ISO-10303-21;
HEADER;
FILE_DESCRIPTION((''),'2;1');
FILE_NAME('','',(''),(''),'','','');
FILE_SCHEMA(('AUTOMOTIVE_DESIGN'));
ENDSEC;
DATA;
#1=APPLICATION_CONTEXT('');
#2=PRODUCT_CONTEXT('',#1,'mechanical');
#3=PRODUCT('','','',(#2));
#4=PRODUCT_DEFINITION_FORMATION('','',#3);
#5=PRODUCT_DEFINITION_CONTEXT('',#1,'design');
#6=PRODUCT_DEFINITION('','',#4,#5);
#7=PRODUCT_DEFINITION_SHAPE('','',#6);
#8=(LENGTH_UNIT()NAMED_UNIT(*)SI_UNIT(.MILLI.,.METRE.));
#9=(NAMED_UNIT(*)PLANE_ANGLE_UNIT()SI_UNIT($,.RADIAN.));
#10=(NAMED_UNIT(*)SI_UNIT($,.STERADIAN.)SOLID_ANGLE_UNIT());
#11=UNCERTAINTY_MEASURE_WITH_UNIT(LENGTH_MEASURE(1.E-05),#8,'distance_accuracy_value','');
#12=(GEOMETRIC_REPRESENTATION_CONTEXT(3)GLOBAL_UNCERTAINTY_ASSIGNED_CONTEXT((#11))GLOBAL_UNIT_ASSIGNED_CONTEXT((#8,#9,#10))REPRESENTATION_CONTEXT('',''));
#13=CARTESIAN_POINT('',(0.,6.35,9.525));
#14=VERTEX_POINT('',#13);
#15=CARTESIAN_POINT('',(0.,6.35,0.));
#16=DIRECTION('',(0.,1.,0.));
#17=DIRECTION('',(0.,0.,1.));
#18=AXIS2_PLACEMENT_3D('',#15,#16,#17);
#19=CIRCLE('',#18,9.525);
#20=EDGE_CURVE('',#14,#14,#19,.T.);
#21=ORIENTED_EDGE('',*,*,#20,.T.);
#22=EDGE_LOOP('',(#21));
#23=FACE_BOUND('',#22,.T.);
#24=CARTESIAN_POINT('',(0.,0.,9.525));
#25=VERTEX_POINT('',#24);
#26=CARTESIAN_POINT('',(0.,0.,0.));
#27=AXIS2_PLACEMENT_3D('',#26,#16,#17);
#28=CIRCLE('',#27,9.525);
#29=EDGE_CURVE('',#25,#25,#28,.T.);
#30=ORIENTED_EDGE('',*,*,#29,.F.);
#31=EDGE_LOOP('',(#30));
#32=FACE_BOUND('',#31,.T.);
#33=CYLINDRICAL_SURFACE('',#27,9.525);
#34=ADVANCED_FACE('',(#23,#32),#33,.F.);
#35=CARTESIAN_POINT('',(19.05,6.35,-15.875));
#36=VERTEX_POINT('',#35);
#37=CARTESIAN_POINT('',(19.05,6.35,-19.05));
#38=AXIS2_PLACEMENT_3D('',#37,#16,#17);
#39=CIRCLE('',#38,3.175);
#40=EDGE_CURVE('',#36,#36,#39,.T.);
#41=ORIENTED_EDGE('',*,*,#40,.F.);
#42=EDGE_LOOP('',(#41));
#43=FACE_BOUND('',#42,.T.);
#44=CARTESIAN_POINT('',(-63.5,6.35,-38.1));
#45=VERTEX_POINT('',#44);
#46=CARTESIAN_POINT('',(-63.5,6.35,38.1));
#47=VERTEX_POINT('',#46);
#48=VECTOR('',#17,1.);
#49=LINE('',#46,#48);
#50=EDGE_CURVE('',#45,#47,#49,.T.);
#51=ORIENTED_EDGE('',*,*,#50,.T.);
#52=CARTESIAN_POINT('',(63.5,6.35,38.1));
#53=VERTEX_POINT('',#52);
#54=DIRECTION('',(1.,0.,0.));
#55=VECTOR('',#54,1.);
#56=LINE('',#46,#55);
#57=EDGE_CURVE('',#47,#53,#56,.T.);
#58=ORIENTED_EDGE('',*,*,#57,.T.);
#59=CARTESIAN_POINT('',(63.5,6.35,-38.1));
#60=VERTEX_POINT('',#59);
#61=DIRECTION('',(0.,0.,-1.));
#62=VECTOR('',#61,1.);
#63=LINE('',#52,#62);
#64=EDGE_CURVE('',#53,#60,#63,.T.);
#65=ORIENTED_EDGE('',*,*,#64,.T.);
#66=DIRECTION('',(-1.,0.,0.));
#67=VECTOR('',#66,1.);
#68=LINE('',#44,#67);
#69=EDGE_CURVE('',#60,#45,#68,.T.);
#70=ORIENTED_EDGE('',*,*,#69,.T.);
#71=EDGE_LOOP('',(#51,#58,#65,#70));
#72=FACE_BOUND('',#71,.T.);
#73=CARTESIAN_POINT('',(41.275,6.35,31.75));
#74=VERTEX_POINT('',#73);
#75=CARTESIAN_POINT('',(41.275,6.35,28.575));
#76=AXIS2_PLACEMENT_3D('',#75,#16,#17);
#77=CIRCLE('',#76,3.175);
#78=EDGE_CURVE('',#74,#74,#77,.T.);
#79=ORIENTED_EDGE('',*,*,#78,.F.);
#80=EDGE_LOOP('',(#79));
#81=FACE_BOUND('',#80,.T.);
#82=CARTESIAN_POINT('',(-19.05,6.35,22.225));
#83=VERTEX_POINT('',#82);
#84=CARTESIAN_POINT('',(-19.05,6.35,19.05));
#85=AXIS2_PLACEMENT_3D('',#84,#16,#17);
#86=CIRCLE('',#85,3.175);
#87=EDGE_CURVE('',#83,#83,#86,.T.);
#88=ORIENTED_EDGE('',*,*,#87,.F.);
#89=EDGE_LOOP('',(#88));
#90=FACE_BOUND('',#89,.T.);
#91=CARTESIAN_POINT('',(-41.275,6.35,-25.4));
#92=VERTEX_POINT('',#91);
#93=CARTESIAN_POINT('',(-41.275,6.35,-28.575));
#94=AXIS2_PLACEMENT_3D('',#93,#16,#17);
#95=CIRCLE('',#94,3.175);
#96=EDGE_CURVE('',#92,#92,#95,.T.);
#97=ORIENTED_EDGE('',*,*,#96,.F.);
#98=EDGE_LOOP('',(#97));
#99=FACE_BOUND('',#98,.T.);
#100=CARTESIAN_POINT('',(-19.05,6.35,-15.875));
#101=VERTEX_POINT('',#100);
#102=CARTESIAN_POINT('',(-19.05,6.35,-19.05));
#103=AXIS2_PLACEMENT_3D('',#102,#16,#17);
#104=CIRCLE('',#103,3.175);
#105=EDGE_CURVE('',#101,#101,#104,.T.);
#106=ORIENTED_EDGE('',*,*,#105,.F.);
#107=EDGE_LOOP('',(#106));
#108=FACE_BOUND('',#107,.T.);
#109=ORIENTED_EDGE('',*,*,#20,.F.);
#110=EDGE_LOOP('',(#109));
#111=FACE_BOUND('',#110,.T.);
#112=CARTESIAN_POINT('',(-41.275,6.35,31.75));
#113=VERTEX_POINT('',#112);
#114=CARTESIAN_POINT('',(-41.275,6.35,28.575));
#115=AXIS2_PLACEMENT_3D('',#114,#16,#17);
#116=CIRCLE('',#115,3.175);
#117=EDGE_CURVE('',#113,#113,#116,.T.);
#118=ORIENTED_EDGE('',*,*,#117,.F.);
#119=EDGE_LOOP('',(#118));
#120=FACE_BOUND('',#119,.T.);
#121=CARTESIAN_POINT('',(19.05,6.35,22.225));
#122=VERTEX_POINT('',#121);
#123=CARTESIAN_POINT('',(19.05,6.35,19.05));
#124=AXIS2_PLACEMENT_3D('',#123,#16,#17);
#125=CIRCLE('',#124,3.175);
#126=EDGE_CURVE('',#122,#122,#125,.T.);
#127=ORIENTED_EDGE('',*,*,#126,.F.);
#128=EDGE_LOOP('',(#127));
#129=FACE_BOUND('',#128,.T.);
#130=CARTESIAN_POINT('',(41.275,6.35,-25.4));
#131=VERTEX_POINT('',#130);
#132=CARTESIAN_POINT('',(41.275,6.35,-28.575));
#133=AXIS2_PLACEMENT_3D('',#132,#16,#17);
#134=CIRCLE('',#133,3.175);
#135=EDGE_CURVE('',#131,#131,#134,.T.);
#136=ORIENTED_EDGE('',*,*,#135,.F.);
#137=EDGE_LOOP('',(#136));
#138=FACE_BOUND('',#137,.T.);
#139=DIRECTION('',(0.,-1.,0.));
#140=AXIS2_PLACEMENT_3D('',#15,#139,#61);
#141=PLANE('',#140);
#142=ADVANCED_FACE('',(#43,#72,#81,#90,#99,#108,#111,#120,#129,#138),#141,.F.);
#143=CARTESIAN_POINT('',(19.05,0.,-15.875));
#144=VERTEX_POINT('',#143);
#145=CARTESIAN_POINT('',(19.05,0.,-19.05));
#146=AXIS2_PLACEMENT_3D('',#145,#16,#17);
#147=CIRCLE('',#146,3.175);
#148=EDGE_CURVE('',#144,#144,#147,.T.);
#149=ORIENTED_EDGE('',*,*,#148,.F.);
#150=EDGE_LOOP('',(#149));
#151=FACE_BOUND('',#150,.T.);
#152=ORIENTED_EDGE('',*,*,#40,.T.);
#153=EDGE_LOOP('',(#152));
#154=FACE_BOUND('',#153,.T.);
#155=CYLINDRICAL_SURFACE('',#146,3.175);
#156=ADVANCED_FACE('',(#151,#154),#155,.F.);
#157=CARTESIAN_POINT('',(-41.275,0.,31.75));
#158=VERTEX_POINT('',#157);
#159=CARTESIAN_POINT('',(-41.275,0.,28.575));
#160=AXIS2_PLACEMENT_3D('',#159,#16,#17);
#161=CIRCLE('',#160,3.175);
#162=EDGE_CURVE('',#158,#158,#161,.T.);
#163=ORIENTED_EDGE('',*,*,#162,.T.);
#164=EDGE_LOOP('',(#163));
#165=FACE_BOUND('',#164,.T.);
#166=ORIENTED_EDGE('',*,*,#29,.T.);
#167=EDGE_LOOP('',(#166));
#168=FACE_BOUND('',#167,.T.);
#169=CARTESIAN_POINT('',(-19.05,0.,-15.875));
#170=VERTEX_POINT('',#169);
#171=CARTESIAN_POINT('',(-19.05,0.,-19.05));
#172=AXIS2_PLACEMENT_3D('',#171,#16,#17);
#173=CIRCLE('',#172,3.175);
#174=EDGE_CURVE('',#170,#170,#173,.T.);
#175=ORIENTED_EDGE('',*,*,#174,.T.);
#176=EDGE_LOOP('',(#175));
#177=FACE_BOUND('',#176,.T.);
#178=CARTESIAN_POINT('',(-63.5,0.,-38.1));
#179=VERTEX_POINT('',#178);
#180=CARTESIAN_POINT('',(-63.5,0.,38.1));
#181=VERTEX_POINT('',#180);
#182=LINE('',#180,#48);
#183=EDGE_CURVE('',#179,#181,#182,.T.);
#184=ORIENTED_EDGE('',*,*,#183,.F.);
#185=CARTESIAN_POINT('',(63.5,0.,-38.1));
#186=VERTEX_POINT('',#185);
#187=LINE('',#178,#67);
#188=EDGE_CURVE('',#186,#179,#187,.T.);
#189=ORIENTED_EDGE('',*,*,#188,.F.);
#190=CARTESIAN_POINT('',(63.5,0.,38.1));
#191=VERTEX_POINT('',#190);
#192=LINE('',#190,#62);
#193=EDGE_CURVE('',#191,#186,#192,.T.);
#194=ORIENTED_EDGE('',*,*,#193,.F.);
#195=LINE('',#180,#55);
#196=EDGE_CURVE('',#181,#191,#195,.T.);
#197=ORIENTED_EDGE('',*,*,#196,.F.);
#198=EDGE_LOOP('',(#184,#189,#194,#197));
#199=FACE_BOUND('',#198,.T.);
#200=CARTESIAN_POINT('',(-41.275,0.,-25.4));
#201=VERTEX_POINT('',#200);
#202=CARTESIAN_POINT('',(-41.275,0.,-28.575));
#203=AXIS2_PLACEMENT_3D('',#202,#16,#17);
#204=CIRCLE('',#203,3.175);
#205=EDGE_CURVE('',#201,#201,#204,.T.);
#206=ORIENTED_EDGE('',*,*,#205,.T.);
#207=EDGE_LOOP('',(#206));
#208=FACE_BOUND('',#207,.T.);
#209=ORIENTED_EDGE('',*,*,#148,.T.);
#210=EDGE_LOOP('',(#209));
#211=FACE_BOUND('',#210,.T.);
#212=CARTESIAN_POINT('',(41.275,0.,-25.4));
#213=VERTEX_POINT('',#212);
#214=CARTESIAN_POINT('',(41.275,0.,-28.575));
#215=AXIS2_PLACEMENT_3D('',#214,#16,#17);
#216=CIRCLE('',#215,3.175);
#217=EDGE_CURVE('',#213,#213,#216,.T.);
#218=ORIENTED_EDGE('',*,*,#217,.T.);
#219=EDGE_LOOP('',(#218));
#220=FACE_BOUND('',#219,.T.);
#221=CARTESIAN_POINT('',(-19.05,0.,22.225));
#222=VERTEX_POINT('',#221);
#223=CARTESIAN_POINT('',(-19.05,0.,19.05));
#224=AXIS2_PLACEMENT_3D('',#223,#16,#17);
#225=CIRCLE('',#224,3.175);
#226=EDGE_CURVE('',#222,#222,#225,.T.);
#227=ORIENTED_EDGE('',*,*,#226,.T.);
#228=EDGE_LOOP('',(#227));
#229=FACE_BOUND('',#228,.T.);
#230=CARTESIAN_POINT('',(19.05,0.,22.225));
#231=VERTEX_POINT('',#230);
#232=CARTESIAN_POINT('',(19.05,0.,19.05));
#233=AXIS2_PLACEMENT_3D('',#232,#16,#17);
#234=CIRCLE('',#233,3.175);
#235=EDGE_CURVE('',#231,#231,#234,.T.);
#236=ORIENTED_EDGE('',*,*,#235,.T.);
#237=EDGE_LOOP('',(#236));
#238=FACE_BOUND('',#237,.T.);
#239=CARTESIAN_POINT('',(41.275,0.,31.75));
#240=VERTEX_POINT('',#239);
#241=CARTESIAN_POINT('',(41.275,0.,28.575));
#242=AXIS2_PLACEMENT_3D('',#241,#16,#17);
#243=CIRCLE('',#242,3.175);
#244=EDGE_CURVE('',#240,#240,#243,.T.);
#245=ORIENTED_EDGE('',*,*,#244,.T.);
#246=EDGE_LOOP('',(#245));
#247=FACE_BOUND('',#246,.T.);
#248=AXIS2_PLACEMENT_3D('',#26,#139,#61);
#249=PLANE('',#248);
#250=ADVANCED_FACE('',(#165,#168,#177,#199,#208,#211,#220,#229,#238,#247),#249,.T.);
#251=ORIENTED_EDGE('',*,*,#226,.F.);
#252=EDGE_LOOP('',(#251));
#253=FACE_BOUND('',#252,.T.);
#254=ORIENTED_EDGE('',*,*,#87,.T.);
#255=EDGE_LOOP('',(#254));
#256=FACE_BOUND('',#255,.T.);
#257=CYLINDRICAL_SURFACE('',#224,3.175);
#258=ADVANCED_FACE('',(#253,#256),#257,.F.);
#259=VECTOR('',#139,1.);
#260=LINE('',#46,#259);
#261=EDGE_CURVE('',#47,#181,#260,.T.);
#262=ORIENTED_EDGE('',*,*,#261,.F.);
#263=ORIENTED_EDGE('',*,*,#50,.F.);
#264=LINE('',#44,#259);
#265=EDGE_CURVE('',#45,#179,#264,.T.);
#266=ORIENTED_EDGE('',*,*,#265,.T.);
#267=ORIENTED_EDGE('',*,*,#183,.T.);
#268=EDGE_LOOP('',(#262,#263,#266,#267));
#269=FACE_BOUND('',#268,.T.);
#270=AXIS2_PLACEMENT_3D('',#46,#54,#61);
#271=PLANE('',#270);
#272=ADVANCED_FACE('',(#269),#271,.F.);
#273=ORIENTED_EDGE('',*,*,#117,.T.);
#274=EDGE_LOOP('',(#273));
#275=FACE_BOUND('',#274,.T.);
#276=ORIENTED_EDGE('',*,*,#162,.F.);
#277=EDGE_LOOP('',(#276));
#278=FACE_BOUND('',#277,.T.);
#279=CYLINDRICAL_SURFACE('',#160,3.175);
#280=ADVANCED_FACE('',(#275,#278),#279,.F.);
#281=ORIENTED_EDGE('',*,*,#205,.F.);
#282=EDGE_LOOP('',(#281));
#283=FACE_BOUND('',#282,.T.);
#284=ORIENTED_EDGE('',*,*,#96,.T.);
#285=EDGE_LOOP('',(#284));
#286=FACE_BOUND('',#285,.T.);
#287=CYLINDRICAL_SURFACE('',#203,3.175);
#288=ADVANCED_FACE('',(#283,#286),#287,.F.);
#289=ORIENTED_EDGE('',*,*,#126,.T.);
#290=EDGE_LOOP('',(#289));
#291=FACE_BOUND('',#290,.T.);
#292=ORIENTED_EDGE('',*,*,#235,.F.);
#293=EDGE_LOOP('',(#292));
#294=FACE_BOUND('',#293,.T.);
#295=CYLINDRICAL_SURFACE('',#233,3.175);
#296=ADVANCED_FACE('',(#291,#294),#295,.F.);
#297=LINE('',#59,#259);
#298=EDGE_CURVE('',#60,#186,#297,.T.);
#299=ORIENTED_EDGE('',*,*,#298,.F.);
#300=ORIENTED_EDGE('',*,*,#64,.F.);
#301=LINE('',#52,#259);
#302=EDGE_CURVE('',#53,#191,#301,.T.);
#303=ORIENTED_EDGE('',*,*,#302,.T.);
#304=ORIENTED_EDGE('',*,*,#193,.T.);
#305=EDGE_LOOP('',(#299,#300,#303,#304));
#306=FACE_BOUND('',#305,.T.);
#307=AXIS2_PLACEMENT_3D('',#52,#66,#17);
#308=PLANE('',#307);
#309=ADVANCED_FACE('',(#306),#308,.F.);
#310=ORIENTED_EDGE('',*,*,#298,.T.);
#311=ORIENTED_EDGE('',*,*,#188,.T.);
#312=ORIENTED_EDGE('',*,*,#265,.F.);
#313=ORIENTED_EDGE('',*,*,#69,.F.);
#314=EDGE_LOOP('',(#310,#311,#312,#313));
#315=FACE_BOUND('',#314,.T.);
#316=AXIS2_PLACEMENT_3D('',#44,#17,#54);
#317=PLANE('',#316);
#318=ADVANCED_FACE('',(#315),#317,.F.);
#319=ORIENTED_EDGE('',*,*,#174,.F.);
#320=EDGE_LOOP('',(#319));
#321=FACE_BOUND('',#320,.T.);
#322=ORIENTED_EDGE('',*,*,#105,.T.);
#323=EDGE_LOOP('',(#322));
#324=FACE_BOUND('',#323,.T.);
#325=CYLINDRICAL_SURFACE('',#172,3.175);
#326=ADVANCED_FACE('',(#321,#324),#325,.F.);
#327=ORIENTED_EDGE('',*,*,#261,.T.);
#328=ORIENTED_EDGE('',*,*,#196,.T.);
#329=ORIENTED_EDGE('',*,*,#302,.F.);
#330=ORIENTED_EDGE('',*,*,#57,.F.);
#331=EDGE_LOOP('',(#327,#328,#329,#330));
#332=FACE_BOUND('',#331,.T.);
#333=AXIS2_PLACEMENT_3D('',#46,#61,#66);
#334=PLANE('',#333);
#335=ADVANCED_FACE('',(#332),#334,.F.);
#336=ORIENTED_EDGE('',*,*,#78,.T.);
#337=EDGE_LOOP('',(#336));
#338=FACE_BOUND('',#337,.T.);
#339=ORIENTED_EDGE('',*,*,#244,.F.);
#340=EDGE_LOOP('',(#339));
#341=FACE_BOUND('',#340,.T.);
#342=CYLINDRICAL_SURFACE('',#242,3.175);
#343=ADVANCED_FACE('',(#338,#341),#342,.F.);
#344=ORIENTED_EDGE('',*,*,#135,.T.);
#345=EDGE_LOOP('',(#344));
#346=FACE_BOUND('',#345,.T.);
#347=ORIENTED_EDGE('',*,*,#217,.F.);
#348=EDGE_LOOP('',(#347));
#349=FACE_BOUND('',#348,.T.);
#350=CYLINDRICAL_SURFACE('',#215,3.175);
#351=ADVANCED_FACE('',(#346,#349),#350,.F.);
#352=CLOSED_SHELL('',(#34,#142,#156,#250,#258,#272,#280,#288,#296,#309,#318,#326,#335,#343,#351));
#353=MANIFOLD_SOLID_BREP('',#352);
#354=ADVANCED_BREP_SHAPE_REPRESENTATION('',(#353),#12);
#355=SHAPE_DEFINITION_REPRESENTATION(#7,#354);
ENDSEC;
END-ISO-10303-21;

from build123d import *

# Parameters (mm, degrees)
SKETCH1_W           = 127
SKETCH1_H           = 76.2
BOSS_EXTRUDE1_DEPTH = 6.35
SKETCH2_R           = 3.175
SKETCH2_R_2         = 9.525
CUT_EXTRUDE1_DEPTH  = 75.324844433


with BuildPart() as part:
    # Sketch1 → Boss-Extrude1 (new body)
    with BuildSketch(Plane(origin=(0, 0, 0), x_dir=(1, 0, 0), z_dir=(0, 1, 0))):
        Rectangle(SKETCH1_W, SKETCH1_H)
    extrude(amount=BOSS_EXTRUDE1_DEPTH)

    # Sketch2 → Cut-Extrude1 (cut, through all)
    with BuildSketch(Plane(origin=(0, 6.35, 0), x_dir=(1, 0, 0), z_dir=(0, 1, 0))):
        with Locations(Location((-41.275, 28.575, 0), (0, 0, 270))):
            Circle(SKETCH2_R)
        with Locations(Location((41.275, 28.575, 0), (0, 0, 270))):
            Circle(SKETCH2_R)
        with Locations(Location((41.275, -28.575, 0), (0, 0, 270))):
            Circle(SKETCH2_R)
        with Locations(Location((-41.275, -28.575, 0), (0, 0, 270))):
            Circle(SKETCH2_R)
        with Locations(Location((-19.05, 19.05, 0), (0, 0, 270))):
            Circle(SKETCH2_R)
        with Locations(Location((19.05, 19.05, 0), (0, 0, 270))):
            Circle(SKETCH2_R)
        with Locations(Location((19.05, -19.05, 0), (0, 0, 270))):
            Circle(SKETCH2_R)
        with Locations(Location((-19.05, -19.05, 0), (0, 0, 270))):
            Circle(SKETCH2_R)
        with Locations(Location((0, 0, 0), (0, 0, 270))):
            Circle(SKETCH2_R_2)
    extrude(amount=-CUT_EXTRUDE1_DEPTH, mode=Mode.SUBTRACT)


solid = part.part
